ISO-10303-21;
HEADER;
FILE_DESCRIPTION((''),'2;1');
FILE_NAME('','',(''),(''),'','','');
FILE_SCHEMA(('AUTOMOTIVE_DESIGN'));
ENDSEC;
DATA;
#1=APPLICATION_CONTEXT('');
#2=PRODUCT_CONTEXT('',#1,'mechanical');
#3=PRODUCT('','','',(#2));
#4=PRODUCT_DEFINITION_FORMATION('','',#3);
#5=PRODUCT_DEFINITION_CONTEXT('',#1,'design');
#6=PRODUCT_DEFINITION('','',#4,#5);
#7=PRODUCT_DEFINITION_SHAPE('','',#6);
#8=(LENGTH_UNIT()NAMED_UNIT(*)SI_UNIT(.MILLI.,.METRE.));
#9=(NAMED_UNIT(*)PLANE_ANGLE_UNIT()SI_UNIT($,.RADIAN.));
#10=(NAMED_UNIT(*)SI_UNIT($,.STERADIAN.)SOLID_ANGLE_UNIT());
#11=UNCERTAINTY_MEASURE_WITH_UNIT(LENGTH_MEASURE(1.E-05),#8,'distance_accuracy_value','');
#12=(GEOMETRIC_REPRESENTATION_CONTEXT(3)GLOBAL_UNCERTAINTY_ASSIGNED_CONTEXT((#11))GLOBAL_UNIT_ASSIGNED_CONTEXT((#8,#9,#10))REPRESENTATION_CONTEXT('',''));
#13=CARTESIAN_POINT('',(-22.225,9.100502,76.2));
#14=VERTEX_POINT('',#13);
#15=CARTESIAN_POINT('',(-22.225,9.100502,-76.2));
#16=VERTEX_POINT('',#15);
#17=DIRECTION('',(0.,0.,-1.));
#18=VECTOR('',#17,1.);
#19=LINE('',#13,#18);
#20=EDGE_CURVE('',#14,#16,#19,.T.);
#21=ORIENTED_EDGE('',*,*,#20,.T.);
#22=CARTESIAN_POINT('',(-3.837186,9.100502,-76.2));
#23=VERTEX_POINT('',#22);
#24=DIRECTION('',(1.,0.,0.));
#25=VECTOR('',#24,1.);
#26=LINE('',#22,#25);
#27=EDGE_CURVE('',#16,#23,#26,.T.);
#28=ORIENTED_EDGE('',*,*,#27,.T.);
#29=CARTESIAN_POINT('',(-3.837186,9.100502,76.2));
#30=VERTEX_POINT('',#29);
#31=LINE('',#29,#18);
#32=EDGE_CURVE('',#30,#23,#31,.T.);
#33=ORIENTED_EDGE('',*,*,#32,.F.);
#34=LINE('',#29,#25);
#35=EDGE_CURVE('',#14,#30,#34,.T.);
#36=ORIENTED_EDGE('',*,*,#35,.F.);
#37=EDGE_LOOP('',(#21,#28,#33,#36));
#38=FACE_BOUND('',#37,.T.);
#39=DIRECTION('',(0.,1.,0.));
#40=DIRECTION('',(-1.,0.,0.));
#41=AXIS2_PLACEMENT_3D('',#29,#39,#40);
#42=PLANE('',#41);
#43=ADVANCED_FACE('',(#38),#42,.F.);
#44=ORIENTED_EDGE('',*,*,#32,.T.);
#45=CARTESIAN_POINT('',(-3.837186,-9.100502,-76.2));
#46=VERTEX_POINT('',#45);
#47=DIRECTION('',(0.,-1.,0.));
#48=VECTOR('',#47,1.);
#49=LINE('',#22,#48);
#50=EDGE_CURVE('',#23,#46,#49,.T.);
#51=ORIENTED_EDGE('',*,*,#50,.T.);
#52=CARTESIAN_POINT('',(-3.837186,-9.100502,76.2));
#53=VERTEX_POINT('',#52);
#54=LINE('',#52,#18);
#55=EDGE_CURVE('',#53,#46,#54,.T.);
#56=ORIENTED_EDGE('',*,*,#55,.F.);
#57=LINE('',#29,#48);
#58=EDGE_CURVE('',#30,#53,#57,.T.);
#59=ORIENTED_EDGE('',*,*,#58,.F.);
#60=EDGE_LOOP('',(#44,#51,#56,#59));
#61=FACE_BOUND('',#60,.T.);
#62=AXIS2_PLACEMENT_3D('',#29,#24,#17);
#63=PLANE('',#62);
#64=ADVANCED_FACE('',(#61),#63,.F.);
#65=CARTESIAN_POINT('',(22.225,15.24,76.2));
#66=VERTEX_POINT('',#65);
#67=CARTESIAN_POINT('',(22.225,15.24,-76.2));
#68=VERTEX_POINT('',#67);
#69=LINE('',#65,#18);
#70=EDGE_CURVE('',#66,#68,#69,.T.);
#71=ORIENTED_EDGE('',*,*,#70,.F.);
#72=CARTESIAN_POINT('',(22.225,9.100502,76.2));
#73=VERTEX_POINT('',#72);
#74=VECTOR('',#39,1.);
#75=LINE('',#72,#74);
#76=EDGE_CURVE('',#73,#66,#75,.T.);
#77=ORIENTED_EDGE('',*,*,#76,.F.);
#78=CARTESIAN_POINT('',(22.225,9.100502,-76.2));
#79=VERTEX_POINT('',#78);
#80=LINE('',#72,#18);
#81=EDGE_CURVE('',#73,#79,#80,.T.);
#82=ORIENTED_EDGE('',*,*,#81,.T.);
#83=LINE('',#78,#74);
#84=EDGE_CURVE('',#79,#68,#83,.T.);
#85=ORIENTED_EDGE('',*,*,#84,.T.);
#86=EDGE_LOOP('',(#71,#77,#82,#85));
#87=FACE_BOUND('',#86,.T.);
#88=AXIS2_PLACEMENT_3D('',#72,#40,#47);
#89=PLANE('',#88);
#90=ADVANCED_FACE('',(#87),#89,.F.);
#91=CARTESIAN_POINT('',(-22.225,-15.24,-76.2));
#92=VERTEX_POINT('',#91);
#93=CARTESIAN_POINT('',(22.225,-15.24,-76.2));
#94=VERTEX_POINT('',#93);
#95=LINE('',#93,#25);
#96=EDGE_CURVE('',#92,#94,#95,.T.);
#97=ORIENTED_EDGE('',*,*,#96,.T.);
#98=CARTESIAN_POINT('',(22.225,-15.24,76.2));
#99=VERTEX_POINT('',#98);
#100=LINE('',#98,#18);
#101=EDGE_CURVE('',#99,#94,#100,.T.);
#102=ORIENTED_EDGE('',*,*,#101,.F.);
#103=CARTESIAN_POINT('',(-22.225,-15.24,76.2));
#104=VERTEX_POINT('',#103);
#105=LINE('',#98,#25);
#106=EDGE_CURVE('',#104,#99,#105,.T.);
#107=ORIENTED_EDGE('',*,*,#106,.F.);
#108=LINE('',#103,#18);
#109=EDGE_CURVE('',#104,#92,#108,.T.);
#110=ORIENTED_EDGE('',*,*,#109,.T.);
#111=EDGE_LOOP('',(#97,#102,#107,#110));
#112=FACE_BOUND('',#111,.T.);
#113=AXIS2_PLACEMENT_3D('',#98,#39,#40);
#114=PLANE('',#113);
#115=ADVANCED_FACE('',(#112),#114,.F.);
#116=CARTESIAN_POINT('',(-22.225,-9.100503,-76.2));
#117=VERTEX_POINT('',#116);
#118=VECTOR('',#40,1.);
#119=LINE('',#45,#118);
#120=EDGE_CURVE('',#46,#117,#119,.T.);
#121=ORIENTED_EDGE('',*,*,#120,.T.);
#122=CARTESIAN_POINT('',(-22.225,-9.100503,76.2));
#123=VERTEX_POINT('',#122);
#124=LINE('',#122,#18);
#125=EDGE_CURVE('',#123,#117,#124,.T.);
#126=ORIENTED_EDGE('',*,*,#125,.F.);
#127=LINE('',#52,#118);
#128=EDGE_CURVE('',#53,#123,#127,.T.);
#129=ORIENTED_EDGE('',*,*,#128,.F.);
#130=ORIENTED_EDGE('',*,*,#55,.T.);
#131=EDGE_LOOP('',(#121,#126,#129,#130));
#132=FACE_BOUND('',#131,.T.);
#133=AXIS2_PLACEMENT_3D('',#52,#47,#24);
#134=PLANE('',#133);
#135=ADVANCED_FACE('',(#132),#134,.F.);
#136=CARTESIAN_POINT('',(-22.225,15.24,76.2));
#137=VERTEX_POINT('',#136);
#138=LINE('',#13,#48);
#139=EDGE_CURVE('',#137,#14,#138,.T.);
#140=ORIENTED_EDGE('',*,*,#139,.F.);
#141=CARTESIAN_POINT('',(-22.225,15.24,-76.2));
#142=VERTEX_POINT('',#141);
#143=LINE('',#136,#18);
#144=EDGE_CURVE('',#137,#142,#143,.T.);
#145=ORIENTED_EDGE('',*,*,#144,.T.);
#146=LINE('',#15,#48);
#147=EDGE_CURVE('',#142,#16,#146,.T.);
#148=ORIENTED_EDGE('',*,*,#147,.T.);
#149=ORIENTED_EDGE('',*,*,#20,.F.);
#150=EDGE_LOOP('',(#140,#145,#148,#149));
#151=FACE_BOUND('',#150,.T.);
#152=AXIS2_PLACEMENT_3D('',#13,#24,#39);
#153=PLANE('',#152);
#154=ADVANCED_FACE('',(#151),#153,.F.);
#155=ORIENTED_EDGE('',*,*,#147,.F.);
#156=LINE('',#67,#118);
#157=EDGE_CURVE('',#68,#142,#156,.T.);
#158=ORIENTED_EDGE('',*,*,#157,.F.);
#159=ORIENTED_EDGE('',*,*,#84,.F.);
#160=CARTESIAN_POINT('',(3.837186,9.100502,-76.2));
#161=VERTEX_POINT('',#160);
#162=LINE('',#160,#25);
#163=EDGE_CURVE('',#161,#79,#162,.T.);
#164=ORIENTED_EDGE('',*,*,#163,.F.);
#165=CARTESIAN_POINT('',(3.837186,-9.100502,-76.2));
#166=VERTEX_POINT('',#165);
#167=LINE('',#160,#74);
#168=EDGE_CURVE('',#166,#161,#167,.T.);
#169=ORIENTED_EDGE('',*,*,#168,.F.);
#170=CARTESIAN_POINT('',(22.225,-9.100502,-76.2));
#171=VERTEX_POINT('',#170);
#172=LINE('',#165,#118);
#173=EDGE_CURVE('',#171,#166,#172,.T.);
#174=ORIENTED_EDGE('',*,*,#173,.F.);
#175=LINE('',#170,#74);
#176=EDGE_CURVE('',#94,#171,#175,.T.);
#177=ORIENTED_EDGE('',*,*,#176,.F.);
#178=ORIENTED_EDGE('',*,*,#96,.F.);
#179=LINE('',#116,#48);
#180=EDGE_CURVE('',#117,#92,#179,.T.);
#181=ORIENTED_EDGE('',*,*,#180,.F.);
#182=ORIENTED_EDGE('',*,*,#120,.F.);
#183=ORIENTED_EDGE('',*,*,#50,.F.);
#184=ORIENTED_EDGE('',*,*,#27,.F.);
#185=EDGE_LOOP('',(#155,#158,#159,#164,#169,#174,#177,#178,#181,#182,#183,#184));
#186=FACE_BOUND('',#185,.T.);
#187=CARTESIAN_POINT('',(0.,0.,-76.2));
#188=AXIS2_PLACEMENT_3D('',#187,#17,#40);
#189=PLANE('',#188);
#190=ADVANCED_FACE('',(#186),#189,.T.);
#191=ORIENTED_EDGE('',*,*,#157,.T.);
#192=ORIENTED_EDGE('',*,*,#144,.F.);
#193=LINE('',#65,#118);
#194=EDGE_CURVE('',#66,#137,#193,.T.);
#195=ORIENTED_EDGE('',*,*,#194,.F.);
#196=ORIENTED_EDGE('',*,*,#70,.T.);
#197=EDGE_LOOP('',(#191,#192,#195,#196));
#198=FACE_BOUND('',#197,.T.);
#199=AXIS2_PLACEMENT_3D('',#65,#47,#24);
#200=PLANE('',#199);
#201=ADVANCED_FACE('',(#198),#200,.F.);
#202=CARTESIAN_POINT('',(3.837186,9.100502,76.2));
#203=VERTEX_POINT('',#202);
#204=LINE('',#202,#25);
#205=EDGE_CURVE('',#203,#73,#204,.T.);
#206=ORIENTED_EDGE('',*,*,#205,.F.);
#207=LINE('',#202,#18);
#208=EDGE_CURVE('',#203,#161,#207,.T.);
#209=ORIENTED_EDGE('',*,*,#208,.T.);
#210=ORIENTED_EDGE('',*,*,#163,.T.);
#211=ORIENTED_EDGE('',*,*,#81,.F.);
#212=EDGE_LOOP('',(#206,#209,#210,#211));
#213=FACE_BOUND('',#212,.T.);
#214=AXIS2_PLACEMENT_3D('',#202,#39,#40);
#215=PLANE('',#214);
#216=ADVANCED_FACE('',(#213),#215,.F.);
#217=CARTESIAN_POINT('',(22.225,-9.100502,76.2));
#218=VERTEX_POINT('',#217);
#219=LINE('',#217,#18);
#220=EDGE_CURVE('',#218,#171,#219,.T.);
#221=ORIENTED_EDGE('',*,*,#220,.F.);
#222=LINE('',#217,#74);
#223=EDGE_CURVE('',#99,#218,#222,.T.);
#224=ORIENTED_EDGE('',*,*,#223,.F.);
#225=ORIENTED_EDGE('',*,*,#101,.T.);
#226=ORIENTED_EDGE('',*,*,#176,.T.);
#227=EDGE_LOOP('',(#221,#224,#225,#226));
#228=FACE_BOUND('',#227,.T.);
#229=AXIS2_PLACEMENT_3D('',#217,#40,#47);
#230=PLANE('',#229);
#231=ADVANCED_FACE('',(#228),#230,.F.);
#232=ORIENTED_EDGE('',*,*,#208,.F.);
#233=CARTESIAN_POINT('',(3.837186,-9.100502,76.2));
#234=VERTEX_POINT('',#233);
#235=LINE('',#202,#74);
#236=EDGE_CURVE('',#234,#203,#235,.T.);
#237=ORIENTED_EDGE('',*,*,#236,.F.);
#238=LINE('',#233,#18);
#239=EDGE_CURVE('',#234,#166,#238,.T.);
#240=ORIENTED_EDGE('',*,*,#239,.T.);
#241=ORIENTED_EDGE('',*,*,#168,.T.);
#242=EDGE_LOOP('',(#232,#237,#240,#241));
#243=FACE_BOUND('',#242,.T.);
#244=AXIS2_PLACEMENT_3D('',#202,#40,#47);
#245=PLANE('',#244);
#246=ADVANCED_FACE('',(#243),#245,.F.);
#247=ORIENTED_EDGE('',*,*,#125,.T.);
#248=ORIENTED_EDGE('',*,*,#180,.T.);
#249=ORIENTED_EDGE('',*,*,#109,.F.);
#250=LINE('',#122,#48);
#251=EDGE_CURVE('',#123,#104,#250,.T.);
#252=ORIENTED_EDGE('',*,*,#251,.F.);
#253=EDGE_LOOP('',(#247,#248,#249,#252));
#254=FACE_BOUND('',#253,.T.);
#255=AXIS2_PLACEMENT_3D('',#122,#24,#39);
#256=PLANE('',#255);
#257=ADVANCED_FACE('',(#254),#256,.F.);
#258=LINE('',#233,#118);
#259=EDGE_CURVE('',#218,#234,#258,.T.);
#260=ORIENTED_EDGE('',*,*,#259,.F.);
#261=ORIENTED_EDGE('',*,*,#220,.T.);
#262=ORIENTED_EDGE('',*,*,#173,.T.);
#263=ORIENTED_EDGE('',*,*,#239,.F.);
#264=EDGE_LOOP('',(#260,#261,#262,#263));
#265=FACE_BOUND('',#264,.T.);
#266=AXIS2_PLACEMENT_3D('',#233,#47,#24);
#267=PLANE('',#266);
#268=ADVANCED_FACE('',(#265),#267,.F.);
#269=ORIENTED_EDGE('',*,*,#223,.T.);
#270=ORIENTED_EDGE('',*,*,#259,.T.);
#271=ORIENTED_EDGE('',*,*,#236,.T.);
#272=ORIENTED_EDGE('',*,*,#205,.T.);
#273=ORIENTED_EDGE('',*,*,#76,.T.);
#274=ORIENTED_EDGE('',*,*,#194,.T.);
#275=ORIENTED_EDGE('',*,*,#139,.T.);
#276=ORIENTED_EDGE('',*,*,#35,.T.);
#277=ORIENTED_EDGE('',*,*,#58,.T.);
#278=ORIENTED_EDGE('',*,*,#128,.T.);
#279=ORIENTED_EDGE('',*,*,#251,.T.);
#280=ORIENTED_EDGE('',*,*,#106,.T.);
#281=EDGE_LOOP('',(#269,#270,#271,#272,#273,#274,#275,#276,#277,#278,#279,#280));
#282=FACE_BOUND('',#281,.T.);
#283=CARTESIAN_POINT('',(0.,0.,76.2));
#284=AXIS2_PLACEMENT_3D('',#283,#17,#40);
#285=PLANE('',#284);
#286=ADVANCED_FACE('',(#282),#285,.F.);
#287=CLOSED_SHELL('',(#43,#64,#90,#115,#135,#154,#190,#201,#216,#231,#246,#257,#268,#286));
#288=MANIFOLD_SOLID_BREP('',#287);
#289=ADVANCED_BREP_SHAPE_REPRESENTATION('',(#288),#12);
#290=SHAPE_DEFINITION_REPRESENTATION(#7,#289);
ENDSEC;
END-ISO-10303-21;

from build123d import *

# Parameters (mm, degrees)
BOSS_EXTRUDE2_DEPTH = 76.2


with BuildPart() as part:
    # Sketch1 → Boss-Extrude2 (new, symmetric)
    with BuildSketch(Plane.XY):
        Polygon((3.837185938, 9.1005025), (3.837185938, -9.1005025), (22.225, -9.1005025), (22.225, -15.24), (-22.225, -15.24), (-22.225, -9.1005025), (-3.837185937, -9.1005025), (-3.837185937, 9.1005025), (-22.225, 9.1005025), (-22.225, 15.24), (22.225, 15.24), (22.225, 9.1005025), align=None)
    extrude(amount=BOSS_EXTRUDE2_DEPTH, both=True)


solid = part.part
